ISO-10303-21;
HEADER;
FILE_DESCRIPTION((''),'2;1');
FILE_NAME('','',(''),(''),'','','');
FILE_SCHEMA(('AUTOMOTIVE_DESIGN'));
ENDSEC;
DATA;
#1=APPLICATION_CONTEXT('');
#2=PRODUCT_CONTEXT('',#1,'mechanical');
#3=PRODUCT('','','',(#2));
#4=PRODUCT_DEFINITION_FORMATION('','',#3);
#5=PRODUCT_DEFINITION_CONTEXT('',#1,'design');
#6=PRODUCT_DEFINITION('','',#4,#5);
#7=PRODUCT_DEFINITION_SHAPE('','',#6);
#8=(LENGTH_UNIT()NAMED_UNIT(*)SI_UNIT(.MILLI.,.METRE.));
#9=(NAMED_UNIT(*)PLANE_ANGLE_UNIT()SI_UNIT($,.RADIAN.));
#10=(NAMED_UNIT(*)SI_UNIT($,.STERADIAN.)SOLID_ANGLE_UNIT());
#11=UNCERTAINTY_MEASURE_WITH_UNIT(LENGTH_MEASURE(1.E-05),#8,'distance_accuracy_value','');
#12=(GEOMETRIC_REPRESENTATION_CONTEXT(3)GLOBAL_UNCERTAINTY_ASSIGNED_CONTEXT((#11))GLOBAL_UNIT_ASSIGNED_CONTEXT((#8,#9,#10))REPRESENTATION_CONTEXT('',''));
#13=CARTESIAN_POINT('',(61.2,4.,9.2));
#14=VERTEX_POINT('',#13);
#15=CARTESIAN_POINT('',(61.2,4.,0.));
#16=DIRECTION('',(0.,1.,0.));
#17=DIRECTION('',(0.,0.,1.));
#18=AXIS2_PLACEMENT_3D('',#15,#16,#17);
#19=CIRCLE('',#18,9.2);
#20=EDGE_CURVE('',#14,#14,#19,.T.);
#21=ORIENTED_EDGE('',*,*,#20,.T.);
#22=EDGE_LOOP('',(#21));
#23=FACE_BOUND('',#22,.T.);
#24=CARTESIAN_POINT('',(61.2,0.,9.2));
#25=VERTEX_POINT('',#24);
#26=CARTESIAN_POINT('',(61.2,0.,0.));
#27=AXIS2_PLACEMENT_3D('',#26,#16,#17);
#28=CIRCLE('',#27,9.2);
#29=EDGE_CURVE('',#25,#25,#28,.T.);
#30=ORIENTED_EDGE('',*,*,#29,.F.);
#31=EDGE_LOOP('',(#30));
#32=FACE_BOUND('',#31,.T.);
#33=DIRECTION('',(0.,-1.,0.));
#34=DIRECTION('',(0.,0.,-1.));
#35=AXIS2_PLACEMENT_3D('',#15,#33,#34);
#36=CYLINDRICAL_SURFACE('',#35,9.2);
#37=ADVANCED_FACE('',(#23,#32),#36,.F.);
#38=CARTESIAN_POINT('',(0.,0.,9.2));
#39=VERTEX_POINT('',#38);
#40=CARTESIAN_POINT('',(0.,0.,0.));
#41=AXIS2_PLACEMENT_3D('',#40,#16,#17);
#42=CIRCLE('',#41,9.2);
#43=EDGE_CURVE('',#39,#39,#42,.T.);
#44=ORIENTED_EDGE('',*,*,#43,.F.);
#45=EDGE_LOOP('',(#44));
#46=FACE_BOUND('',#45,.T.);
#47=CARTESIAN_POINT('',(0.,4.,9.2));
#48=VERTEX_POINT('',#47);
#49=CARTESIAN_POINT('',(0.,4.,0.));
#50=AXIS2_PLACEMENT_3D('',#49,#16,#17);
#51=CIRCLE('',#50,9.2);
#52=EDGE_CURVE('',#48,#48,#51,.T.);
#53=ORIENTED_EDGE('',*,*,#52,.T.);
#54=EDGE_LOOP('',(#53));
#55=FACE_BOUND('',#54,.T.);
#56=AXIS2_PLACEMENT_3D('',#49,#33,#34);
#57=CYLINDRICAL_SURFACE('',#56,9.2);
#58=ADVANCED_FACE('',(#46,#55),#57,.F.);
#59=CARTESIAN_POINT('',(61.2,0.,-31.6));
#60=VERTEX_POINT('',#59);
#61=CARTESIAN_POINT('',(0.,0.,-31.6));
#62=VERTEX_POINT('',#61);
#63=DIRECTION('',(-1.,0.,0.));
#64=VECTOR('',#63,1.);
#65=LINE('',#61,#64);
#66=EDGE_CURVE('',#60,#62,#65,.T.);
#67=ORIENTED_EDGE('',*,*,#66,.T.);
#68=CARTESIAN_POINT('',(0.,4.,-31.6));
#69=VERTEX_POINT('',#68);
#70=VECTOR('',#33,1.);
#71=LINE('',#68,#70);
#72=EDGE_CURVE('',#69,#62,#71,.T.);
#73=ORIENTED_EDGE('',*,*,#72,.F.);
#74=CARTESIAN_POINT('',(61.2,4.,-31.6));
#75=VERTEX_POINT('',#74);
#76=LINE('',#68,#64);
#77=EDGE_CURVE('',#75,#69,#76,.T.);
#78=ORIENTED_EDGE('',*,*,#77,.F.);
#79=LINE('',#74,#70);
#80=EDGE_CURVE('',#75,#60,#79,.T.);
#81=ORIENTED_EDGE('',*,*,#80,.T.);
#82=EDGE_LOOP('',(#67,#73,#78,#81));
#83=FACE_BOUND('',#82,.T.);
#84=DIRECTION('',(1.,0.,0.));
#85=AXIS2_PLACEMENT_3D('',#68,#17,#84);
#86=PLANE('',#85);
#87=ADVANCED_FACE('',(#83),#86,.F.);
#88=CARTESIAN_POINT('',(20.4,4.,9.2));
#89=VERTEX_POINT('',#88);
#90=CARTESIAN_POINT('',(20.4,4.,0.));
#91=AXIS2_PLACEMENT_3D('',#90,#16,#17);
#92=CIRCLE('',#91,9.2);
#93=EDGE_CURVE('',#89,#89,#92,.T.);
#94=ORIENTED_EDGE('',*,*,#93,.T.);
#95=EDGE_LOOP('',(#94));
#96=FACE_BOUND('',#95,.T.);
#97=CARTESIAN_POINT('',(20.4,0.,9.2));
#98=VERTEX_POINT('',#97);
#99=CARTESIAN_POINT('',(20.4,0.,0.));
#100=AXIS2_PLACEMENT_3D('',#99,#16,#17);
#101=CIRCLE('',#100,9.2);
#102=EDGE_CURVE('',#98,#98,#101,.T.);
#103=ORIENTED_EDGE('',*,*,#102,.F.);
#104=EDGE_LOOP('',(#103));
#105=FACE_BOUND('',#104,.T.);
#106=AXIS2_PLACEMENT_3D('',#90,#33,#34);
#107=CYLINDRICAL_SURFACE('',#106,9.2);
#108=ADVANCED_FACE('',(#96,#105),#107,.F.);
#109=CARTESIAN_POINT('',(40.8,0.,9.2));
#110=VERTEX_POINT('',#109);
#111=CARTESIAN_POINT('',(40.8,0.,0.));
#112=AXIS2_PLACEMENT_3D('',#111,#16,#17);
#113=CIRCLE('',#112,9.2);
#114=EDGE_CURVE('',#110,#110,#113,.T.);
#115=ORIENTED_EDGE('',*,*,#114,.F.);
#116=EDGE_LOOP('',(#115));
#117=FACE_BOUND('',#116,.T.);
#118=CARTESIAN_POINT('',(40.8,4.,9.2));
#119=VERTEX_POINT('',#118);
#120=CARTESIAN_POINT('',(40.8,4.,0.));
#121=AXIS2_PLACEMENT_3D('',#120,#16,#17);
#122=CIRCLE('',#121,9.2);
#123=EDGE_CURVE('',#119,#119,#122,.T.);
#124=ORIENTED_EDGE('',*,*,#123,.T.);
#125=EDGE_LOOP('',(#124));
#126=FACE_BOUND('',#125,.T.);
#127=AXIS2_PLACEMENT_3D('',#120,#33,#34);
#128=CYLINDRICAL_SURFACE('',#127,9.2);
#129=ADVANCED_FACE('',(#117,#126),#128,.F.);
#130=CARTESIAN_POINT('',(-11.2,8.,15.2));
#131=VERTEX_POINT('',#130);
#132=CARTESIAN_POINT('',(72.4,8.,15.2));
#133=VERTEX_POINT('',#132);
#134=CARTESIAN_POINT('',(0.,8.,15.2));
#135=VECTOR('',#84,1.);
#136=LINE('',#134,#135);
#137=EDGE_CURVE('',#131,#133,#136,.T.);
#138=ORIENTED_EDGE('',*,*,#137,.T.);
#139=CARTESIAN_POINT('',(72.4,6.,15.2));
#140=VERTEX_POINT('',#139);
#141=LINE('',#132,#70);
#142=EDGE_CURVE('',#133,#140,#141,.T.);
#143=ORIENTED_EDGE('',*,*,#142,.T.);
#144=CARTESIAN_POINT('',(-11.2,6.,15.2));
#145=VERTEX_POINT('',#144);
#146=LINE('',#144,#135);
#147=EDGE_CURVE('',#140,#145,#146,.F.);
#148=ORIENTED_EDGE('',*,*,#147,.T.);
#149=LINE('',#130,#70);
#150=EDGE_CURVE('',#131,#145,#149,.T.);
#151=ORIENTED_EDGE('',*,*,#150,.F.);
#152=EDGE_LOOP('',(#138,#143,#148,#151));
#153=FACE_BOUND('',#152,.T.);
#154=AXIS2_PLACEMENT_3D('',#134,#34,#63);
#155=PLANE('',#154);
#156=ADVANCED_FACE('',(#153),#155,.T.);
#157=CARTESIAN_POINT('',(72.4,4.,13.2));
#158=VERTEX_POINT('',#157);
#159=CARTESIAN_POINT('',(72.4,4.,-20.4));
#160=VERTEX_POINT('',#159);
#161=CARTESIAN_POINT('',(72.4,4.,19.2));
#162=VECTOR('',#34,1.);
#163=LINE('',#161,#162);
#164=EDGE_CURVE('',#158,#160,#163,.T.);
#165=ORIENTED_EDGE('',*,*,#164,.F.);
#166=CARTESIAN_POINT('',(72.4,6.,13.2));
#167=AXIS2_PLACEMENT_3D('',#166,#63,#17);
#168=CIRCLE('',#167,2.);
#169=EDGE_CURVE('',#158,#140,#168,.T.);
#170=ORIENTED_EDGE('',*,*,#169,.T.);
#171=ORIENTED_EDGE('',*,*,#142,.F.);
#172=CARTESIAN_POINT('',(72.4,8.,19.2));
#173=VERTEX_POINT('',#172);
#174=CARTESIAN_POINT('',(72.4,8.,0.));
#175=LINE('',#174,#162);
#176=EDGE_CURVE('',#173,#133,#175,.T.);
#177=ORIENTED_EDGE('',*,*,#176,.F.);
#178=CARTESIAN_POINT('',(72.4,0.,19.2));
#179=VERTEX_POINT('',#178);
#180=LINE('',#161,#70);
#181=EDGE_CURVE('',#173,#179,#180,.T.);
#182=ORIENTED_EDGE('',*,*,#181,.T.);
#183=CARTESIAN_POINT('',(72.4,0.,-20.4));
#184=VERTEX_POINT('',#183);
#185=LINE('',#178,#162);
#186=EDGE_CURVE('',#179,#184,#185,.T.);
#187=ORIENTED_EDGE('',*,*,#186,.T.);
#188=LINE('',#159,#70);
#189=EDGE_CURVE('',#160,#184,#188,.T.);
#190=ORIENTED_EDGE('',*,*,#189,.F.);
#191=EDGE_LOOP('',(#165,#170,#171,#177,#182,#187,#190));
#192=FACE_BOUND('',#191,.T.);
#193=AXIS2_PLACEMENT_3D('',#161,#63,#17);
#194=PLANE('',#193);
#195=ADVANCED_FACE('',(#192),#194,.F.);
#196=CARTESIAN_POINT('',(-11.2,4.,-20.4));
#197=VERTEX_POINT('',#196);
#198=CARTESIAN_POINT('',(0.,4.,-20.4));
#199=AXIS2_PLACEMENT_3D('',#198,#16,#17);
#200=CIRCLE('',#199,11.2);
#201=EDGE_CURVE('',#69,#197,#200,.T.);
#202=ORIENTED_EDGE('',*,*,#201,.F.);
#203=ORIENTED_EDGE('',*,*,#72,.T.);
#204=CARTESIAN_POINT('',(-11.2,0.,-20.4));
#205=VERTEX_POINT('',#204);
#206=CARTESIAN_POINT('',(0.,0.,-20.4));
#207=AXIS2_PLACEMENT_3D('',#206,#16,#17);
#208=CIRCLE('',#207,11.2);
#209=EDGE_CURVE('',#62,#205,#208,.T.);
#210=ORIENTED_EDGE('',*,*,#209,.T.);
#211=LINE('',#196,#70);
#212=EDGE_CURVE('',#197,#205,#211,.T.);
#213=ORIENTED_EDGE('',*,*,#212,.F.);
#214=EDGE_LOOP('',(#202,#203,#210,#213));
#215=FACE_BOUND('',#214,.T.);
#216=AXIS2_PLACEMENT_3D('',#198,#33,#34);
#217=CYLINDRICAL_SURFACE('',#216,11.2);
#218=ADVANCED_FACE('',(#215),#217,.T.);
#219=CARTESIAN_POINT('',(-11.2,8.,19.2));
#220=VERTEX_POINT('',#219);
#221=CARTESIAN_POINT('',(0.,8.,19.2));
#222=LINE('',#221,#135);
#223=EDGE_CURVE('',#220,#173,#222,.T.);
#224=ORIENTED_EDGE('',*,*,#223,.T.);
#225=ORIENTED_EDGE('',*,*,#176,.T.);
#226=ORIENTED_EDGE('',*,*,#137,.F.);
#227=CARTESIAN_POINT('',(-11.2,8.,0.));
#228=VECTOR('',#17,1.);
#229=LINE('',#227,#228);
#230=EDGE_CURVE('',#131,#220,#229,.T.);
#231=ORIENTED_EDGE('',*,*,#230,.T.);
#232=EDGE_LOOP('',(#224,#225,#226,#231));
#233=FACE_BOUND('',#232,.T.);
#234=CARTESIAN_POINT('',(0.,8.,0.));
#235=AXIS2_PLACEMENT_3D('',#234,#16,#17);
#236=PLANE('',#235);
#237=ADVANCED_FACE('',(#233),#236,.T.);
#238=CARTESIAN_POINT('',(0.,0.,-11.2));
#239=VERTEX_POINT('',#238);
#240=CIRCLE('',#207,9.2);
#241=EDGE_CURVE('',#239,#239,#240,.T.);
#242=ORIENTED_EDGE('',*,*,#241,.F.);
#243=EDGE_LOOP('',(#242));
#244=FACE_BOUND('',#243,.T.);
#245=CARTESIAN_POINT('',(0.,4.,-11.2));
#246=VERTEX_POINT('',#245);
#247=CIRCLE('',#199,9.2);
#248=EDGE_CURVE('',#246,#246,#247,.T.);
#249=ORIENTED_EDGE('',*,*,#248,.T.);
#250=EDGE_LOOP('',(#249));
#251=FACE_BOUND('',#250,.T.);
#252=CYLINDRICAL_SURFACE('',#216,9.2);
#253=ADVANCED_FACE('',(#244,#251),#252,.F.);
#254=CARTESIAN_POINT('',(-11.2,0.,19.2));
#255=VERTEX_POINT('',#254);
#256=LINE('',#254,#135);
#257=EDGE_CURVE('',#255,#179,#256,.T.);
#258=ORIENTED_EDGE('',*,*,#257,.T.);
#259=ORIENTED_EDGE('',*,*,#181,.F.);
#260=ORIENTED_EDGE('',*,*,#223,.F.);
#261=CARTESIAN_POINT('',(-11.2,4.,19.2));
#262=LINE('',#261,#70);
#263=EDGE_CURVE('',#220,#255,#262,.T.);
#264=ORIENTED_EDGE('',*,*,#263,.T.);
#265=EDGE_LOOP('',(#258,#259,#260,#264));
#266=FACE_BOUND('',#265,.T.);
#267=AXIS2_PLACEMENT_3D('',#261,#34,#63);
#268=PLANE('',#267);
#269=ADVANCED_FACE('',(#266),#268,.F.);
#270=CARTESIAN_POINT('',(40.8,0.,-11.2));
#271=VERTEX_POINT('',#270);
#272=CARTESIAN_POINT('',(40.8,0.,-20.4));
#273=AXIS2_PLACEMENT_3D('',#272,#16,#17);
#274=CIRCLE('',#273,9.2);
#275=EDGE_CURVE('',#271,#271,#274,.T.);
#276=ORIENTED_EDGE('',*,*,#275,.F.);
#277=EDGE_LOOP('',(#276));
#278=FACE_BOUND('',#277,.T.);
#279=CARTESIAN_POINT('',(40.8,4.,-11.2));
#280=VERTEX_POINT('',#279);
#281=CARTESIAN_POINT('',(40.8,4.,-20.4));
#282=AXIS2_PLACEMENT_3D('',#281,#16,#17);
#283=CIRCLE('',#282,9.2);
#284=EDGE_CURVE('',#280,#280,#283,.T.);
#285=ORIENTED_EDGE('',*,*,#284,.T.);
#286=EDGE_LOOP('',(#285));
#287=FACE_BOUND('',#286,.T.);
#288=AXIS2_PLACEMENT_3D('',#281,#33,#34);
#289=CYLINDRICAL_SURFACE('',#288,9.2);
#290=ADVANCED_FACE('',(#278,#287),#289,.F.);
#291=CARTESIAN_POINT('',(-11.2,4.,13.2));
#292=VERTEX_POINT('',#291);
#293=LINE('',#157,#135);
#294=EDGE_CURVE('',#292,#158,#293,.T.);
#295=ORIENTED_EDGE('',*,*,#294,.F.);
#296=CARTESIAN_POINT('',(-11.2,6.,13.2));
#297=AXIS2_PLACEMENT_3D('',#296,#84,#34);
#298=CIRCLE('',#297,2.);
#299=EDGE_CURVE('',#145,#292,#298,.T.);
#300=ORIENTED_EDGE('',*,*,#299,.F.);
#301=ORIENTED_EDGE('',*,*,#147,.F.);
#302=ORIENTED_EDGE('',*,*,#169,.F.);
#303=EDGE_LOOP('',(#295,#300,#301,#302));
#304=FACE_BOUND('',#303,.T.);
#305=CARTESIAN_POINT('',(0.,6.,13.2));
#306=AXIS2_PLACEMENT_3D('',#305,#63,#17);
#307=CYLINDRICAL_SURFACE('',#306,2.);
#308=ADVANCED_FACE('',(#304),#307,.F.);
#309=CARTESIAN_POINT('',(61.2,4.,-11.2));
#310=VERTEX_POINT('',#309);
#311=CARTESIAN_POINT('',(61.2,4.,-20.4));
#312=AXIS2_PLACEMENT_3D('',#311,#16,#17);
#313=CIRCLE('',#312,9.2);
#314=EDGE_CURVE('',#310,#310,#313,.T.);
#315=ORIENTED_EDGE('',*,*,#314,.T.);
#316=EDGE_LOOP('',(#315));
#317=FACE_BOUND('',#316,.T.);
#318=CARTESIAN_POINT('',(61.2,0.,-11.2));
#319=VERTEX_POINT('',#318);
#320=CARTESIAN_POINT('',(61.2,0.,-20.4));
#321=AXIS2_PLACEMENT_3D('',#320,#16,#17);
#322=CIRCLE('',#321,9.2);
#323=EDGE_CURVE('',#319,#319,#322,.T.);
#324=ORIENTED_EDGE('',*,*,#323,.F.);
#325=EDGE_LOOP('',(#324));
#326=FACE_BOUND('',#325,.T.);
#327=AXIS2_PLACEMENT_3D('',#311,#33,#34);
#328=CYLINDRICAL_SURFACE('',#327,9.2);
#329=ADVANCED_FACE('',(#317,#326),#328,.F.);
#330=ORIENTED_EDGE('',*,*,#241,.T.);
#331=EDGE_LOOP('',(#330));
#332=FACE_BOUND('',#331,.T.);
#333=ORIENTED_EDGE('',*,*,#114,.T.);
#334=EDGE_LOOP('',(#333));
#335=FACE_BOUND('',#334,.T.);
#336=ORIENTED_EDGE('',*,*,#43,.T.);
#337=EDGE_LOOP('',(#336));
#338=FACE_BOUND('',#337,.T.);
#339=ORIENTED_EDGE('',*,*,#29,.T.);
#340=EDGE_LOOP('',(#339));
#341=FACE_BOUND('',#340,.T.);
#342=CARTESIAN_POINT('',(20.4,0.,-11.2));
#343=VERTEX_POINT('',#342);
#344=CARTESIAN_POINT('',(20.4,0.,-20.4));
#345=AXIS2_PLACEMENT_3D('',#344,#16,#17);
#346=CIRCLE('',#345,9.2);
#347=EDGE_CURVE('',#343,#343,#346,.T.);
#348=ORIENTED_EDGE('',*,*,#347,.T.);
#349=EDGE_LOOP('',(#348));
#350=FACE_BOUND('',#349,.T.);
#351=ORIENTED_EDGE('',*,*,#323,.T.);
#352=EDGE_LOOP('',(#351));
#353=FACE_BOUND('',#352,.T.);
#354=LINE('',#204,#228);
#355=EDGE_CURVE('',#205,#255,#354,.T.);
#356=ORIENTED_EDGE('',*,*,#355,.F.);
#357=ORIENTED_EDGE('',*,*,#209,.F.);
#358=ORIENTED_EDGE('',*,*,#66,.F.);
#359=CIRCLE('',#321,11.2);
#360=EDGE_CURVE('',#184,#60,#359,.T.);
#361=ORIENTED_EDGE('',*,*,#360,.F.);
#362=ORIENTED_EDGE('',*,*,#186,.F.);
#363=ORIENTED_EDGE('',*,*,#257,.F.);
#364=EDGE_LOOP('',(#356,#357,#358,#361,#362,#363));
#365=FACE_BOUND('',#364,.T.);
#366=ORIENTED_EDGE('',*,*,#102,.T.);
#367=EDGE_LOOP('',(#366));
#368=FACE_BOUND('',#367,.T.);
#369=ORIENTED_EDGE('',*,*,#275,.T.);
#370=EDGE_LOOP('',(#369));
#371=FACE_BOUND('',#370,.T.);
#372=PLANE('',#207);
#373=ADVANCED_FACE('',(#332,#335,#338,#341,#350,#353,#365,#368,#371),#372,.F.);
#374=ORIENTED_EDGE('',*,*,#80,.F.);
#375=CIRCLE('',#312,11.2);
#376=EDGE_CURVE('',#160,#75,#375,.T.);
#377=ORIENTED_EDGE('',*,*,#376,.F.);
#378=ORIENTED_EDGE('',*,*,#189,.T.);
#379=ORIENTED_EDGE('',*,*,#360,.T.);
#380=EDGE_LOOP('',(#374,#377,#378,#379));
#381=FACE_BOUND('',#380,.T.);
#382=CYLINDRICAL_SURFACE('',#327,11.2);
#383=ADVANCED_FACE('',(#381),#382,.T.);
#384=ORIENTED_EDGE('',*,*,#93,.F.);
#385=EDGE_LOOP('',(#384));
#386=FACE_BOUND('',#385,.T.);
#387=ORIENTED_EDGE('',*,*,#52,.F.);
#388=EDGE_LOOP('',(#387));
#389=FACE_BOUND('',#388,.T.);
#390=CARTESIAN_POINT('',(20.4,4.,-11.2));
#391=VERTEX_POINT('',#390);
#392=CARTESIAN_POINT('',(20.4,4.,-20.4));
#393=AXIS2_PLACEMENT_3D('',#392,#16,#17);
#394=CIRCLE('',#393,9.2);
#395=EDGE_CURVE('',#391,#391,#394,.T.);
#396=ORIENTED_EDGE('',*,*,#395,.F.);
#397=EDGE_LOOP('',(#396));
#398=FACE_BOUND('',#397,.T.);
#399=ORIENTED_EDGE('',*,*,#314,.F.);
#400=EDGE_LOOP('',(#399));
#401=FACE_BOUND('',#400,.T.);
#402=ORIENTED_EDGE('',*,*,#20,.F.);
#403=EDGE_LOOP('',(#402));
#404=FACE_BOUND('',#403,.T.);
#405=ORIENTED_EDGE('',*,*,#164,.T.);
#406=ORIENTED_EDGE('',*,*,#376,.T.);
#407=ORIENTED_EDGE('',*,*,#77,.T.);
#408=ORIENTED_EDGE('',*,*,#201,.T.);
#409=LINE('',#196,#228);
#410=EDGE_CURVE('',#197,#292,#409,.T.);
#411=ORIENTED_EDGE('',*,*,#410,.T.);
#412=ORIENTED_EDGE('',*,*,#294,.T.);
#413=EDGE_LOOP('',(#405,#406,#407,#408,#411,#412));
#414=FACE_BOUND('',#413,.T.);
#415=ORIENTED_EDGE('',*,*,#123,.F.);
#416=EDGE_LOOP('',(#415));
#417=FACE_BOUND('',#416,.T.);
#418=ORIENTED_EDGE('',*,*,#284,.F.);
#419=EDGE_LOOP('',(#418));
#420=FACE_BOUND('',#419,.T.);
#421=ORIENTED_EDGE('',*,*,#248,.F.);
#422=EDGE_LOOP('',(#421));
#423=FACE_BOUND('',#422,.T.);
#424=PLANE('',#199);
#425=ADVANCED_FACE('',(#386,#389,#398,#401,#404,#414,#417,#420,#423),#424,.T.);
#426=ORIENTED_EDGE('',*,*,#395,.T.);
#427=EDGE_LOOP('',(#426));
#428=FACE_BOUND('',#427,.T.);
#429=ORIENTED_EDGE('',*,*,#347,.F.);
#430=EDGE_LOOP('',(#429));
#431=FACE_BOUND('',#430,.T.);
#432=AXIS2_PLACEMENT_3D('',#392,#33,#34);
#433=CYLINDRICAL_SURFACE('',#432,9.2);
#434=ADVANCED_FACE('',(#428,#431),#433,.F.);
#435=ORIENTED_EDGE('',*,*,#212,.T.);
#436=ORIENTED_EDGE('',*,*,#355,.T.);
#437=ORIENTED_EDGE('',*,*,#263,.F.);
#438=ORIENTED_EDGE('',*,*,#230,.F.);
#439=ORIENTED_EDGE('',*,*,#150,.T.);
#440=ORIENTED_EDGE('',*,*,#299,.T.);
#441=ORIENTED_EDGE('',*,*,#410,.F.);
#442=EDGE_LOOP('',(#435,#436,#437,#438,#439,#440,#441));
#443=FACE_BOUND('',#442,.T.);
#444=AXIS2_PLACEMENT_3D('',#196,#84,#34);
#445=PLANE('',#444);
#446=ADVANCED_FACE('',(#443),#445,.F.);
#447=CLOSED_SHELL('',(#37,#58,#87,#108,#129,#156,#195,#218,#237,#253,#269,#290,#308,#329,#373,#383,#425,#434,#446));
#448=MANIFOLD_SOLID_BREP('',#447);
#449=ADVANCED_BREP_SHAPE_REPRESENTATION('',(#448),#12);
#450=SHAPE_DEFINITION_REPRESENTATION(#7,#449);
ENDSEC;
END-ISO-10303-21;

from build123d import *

# Parameters (mm, degrees)
SKETCH1_R           = 9.2
BOSS_EXTRUDE1_DEPTH = 4
SKETCH2_W           = 83.6
SKETCH2_H           = 4
BOSS_EXTRUDE2_DEPTH = 4
FILLET1_R           = 2


with BuildPart() as part:
    # Sketch1 → Boss-Extrude1 (new body)
    with BuildSketch(Plane(origin=(0, 0, 0), x_dir=(1, 0, 0), z_dir=(0, 1, 0))):
        with BuildLine():
            Line((-11.2, 20.4), (-11.2, -19.2))
            Line((-11.2, -19.2), (72.4, -19.2))
            Line((72.4, -19.2), (72.4, 20.4))
            ThreePointArc((72.4, 20.4), (69.119595949, 28.319595949), (61.2, 31.6))
            Line((61.2, 31.6), (0, 31.6))
            ThreePointArc((0, 31.6), (-7.919595949, 28.319595949), (-11.2, 20.4))
        make_face()
        with Locations(Location((0, 0, 0), (0, 0, 270))):
            Circle(SKETCH1_R, mode=Mode.SUBTRACT)
        with Locations(Location((20.4, 0, 0), (0, 0, 270))):
            Circle(SKETCH1_R, mode=Mode.SUBTRACT)
        with Locations(Location((40.8, 0, 0), (0, 0, 270))):
            Circle(SKETCH1_R, mode=Mode.SUBTRACT)
        with Locations(Location((61.2, 0, 0), (0, 0, 270))):
            Circle(SKETCH1_R, mode=Mode.SUBTRACT)
        with Locations(Location((20.4, 20.4, 0), (0, 0, 270))):
            Circle(SKETCH1_R, mode=Mode.SUBTRACT)
        with Locations(Location((40.8, 20.4, 0), (0, 0, 270))):
            Circle(SKETCH1_R, mode=Mode.SUBTRACT)
        with Locations(Location((61.2, 20.4, 0), (0, 0, 270))):
            Circle(SKETCH1_R, mode=Mode.SUBTRACT)
        with Locations(Location((0, 20.4, 0), (0, 0, 270))):
            Circle(SKETCH1_R, mode=Mode.SUBTRACT)
    extrude(amount=BOSS_EXTRUDE1_DEPTH)

    # Sketch2 → Boss-Extrude2 (add)
    with BuildSketch(Plane(origin=(0, 4, 0), x_dir=(1, 0, 0), z_dir=(0, 1, 0))):
        with Locations((30.6, -17.2)):
            Rectangle(SKETCH2_W, SKETCH2_H)
    extrude(amount=BOSS_EXTRUDE2_DEPTH)

    # Fillet1
    fillet1_edges = [part.edges().sort_by_distance(p)[0] for p in [
        (30.6, 4, 15.2),
    ]]
    fillet(fillet1_edges, radius=FILLET1_R)


solid = part.part
